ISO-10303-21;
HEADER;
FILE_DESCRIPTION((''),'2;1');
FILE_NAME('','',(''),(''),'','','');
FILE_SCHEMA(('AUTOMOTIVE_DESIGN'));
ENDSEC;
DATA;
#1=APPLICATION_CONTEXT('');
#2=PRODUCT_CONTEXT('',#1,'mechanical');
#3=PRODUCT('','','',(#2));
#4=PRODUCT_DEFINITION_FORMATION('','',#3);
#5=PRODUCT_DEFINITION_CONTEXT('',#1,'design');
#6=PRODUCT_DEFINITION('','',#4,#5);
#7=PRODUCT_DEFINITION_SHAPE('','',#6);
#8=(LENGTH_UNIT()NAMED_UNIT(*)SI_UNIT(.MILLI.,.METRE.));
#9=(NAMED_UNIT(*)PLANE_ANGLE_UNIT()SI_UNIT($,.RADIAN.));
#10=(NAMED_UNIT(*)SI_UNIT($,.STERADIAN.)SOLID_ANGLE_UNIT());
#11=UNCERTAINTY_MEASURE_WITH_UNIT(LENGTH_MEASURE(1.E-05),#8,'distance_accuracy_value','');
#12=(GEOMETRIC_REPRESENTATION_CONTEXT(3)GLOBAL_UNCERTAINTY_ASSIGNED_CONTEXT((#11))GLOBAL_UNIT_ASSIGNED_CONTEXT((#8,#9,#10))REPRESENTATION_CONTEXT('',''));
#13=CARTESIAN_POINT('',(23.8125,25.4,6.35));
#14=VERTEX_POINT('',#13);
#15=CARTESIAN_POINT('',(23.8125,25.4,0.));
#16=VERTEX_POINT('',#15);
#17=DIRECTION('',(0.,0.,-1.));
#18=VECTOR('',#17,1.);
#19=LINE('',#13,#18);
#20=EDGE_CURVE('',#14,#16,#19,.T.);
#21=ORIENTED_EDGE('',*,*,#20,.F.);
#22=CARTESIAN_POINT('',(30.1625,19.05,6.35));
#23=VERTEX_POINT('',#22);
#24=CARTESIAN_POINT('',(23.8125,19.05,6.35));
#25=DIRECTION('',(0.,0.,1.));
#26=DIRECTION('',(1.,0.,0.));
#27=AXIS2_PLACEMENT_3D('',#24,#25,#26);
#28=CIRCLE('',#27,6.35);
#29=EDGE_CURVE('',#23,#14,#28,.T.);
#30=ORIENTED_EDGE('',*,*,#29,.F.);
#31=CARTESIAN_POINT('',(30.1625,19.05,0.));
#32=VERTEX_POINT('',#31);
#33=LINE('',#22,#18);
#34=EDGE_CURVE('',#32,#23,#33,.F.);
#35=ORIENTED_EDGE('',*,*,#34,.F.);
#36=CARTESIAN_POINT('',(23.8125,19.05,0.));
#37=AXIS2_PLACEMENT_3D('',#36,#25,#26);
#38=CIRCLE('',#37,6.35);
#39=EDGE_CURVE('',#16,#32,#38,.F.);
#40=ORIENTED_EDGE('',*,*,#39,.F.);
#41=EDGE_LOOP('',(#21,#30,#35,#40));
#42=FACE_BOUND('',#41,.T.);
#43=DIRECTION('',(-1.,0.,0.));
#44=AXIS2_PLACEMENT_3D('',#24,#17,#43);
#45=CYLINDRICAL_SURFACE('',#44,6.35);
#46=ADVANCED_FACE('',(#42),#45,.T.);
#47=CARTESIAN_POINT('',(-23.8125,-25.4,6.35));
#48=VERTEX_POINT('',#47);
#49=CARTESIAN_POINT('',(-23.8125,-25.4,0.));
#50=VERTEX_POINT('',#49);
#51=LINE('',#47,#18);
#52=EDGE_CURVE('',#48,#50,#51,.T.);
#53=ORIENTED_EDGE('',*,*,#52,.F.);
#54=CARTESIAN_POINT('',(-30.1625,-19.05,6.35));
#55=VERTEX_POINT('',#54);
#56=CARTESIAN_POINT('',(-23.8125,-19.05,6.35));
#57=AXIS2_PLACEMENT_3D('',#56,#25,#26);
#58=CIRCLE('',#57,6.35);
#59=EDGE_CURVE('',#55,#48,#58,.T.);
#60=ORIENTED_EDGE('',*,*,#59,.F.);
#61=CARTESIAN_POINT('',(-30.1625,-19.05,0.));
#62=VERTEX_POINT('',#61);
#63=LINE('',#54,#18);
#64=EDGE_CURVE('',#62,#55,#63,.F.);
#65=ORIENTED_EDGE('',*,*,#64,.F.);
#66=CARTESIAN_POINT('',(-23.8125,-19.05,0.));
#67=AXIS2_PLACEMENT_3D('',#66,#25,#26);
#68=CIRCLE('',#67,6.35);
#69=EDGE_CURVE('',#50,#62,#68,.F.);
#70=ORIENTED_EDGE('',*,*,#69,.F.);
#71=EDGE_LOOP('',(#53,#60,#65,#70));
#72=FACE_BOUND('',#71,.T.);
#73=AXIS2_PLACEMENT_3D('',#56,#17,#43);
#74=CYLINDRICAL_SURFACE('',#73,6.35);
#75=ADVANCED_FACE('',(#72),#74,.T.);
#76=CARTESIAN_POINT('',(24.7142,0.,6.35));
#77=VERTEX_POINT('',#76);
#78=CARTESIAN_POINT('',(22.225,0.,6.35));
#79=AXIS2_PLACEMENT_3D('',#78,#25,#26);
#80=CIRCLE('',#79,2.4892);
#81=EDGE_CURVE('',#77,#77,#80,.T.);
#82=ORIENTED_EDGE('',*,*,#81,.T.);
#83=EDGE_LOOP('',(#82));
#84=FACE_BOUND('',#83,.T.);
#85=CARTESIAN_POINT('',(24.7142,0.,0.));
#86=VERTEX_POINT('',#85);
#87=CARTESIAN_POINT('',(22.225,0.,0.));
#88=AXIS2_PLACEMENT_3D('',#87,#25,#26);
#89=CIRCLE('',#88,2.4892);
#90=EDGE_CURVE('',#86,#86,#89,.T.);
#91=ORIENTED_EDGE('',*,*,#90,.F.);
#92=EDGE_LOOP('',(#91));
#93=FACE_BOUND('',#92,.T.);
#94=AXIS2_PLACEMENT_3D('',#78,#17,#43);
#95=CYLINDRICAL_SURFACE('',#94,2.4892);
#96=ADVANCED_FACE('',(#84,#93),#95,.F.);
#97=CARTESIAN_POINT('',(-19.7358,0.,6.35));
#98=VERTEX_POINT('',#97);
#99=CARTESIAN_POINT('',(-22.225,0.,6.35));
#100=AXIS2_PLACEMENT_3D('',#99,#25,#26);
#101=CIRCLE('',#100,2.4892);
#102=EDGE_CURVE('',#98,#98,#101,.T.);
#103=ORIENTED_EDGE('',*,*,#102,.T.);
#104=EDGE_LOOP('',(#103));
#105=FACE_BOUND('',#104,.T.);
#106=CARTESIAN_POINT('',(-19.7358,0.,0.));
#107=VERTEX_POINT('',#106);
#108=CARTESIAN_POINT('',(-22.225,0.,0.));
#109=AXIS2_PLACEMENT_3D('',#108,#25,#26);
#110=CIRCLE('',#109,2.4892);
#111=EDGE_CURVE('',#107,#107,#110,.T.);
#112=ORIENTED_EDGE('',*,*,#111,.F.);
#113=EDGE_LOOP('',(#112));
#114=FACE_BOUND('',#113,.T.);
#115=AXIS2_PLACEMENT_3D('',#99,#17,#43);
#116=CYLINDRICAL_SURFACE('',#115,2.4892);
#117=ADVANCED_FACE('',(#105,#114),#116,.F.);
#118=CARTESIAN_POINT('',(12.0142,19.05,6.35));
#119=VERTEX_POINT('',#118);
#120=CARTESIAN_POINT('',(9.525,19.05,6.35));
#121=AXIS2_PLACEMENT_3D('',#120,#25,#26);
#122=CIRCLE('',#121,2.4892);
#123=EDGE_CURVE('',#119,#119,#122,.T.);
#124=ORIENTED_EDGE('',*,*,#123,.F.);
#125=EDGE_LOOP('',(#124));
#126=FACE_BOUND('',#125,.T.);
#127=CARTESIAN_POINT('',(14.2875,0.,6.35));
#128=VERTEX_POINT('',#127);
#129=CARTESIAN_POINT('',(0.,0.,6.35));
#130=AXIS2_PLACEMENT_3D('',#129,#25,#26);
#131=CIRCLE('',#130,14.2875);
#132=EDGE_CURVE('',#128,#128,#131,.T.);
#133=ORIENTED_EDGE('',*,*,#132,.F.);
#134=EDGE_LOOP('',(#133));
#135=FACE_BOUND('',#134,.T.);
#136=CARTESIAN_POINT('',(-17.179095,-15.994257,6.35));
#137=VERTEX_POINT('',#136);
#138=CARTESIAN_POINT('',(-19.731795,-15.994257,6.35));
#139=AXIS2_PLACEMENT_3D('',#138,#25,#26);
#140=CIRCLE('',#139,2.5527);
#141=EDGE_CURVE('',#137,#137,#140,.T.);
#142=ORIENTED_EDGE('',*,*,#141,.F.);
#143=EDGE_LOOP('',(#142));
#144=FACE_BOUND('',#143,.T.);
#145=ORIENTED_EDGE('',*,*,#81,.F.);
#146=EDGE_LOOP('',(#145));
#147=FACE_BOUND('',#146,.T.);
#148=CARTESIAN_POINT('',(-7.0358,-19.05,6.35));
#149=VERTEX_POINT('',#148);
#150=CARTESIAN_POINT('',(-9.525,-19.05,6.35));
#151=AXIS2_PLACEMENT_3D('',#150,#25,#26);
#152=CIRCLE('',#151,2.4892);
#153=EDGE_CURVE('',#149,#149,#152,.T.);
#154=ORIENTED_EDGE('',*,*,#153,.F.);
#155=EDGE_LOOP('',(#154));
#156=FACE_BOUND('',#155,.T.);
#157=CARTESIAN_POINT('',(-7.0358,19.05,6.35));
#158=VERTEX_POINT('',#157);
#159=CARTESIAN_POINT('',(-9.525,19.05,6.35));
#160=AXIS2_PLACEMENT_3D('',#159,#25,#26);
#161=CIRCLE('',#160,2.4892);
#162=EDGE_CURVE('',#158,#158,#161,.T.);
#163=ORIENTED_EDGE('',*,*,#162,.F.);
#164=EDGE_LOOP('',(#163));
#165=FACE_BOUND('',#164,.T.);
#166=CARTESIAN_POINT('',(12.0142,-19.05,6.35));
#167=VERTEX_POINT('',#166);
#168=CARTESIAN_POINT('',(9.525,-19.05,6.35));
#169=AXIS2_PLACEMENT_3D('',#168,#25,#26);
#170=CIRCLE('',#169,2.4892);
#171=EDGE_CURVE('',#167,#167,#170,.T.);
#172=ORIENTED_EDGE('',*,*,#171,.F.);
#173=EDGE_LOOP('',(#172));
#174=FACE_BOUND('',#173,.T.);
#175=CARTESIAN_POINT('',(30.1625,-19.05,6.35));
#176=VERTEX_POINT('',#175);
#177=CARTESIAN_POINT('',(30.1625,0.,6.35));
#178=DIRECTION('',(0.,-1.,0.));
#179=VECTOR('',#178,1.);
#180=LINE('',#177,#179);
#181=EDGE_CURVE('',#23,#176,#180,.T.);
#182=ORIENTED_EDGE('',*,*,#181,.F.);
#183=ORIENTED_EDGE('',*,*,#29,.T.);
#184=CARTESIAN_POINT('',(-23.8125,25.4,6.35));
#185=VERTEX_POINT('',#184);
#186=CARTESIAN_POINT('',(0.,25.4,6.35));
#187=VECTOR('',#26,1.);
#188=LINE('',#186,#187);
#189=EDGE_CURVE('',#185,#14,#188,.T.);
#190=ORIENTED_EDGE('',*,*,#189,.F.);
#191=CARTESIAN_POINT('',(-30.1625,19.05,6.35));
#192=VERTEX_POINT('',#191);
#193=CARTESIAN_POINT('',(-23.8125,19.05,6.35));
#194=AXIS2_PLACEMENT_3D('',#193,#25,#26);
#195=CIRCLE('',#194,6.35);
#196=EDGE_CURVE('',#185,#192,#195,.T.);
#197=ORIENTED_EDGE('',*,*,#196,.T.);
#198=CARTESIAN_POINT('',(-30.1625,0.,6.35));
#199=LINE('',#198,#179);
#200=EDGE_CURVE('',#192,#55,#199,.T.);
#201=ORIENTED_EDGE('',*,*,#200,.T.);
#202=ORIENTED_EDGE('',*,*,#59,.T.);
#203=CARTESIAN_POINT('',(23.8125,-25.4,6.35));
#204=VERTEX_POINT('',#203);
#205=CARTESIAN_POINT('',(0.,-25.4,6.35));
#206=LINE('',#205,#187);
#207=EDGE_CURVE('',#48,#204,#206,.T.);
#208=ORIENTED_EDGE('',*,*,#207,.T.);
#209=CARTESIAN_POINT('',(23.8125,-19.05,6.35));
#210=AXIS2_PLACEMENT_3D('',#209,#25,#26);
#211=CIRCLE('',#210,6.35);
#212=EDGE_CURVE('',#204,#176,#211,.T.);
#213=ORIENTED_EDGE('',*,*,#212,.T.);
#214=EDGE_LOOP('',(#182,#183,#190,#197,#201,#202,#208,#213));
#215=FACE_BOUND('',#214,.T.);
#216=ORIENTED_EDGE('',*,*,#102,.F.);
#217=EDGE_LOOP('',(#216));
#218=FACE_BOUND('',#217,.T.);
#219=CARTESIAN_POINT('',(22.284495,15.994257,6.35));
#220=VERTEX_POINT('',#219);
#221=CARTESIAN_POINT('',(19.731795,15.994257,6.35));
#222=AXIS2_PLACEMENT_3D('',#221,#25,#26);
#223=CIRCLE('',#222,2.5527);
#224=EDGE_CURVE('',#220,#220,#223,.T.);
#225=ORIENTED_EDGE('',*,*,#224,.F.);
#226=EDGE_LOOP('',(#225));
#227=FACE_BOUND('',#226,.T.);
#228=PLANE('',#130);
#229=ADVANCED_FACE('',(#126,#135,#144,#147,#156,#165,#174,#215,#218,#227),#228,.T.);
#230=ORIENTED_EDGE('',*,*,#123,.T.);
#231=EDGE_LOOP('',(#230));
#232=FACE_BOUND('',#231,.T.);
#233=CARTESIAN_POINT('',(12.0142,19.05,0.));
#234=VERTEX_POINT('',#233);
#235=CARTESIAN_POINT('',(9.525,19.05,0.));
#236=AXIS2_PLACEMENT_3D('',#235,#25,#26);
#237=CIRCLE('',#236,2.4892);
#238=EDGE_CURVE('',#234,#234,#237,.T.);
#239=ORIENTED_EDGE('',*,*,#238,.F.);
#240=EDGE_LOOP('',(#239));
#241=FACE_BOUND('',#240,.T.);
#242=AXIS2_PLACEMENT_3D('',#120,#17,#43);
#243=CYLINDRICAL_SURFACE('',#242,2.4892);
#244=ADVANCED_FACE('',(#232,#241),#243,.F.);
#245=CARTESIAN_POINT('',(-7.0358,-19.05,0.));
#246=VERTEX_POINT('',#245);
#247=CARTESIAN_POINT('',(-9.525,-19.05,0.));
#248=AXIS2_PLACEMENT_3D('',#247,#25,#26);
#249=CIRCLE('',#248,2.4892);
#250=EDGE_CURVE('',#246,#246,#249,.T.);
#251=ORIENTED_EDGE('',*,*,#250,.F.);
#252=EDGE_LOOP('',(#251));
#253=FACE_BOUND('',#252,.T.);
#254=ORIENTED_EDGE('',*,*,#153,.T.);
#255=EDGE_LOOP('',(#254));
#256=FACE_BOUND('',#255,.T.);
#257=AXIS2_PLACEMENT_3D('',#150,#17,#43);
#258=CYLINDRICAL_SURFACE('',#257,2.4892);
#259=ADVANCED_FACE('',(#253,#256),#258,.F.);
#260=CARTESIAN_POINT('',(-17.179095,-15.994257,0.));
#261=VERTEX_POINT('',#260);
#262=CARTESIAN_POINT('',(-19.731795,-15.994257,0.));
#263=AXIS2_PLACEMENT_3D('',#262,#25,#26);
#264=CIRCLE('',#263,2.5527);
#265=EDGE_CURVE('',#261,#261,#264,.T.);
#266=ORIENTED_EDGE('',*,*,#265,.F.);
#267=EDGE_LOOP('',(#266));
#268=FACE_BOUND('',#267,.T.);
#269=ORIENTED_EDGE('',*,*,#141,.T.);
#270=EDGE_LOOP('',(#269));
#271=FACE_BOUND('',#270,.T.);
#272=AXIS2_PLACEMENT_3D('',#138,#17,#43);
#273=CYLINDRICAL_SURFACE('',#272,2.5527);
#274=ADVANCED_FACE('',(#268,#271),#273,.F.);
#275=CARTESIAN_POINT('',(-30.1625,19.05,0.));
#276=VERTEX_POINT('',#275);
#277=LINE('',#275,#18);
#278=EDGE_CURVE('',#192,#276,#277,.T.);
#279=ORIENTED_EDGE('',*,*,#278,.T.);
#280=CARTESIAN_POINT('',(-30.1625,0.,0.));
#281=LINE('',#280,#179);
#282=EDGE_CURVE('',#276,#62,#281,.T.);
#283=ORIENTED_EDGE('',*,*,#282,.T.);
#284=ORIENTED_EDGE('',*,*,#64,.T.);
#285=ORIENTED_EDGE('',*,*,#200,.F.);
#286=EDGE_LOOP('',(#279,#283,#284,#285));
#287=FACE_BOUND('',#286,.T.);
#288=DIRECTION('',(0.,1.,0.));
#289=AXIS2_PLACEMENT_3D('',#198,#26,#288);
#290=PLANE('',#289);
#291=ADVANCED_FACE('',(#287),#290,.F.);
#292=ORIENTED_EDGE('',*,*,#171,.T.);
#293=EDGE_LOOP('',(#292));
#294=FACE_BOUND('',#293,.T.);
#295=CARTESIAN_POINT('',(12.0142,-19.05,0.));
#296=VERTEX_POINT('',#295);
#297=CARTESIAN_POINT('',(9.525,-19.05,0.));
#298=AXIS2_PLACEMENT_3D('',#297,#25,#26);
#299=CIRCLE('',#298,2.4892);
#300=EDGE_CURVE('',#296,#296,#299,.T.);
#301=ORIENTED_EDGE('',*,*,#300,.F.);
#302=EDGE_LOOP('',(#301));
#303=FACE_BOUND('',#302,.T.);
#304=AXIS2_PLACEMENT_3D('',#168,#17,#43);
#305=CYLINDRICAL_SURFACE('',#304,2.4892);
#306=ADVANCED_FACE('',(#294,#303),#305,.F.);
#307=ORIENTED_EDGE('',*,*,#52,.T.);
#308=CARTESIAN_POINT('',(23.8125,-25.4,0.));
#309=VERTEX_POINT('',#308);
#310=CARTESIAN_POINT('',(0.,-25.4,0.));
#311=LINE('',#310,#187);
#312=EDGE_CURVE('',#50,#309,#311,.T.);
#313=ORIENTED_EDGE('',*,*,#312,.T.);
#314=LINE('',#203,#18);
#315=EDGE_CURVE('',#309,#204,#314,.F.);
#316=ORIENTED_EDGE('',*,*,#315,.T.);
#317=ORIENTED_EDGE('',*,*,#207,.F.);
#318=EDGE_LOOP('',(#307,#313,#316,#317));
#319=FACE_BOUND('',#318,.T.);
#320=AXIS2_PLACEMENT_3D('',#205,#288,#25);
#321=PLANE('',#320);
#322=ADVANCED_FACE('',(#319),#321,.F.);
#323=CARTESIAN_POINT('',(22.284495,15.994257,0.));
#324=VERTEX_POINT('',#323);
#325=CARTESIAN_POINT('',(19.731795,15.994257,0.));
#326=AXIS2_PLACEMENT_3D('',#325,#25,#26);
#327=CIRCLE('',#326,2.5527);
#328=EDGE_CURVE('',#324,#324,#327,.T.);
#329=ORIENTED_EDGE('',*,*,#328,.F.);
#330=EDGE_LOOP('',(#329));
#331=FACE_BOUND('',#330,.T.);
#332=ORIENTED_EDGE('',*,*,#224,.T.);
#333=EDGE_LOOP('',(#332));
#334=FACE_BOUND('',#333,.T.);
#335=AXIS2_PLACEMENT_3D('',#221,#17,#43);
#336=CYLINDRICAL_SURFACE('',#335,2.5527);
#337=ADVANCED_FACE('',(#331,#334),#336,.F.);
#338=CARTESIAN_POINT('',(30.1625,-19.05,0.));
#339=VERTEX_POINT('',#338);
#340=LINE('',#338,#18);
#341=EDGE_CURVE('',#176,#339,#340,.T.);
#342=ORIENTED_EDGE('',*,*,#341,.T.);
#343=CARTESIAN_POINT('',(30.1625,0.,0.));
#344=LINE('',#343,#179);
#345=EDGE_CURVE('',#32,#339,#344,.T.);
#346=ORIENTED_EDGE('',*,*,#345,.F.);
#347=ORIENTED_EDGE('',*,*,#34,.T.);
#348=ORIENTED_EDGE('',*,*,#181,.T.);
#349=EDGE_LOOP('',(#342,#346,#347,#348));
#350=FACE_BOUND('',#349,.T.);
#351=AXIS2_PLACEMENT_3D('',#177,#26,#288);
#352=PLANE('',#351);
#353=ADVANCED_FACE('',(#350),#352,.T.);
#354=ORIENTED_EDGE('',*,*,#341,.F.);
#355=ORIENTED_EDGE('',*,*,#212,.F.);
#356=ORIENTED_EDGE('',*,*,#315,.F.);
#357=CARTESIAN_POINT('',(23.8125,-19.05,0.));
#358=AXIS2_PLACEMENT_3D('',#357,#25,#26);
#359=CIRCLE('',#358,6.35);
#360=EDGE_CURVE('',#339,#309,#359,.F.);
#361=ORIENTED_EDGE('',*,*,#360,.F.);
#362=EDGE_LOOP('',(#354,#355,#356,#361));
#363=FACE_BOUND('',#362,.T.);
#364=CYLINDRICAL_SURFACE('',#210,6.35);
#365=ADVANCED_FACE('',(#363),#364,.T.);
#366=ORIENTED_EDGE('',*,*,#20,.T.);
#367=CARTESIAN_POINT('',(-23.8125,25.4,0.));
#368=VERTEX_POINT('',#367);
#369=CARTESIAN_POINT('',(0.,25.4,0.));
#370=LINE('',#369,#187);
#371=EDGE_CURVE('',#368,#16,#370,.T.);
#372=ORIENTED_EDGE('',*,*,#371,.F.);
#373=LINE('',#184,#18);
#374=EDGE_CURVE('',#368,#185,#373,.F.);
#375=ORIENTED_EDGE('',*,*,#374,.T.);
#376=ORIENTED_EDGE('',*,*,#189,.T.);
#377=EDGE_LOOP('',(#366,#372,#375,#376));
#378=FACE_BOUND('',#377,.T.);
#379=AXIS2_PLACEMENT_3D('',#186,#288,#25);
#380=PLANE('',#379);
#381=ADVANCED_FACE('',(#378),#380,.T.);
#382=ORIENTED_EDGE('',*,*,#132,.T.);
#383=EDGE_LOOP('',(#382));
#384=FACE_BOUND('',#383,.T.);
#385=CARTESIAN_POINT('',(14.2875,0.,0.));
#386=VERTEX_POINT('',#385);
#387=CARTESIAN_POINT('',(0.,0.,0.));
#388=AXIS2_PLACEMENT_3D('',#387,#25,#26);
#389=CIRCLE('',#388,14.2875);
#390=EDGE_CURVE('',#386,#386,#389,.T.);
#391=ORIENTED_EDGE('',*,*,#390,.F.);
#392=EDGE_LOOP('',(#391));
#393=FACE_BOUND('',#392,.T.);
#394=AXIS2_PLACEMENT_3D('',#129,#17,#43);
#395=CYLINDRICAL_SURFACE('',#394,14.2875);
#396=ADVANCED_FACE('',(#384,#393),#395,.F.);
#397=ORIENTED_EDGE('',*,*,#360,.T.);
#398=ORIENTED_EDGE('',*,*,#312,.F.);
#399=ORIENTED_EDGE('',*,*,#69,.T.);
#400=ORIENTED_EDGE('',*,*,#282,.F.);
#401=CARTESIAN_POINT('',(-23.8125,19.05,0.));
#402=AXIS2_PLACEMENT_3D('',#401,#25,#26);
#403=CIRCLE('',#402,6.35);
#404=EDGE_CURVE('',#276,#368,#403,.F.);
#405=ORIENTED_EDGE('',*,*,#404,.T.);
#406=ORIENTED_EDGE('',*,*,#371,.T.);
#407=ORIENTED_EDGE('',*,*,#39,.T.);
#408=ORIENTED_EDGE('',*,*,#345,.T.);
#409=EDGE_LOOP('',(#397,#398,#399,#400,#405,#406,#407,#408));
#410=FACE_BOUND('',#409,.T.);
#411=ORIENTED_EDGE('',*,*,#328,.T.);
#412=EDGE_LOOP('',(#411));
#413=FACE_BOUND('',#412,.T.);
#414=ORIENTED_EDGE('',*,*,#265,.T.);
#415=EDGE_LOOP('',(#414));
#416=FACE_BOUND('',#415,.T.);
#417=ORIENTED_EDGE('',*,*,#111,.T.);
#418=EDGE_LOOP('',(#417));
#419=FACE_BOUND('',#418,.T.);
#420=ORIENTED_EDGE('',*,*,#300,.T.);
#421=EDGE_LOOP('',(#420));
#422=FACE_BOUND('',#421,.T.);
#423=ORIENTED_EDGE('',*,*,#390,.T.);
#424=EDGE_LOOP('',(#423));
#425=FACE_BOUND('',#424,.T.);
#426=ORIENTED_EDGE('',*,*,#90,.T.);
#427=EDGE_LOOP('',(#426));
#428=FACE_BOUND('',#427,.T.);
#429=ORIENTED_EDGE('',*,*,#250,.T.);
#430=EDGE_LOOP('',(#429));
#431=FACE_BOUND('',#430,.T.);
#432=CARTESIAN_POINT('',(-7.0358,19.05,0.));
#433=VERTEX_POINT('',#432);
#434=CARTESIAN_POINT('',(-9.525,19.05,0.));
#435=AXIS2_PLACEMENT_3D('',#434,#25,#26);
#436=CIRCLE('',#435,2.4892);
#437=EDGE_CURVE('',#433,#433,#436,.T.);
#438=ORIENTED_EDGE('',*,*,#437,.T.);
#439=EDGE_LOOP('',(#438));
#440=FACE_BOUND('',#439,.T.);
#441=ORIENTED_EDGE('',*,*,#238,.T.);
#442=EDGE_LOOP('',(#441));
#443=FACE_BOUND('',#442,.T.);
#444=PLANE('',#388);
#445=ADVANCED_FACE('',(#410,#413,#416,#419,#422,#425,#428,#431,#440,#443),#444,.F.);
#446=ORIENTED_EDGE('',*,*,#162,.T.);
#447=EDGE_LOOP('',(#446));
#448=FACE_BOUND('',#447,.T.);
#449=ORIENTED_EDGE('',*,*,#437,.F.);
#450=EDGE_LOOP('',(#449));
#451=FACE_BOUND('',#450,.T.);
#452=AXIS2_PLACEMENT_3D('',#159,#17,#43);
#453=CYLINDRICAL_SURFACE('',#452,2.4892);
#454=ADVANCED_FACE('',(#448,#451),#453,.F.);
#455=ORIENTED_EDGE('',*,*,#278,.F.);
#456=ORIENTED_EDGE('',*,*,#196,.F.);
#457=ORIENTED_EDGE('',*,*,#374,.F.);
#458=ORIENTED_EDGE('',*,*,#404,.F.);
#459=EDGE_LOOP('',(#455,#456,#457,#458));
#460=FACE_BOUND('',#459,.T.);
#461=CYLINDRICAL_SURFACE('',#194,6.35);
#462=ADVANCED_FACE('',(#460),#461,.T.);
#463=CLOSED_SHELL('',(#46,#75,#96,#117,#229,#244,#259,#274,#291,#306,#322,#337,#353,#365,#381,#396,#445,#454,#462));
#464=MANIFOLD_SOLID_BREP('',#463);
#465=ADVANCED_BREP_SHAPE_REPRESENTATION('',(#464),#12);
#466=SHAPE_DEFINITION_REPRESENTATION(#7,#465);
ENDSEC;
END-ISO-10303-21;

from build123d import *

# Parameters (mm, degrees)
SKETCH1_W           = 60.325
SKETCH1_H           = 50.8
SKETCH1_R           = 2.4892
SKETCH1_R_2         = 2.5527
SKETCH1_R_3         = 14.2875
BOSS_EXTRUDE1_DEPTH = 6.35
FILLET1_R           = 6.35


with BuildPart() as part:
    # Sketch1 → Boss-Extrude1 (new body)
    with BuildSketch(Plane.XY):
        Rectangle(SKETCH1_W, SKETCH1_H)
        with Locations((-9.525, -19.05)):
            Circle(SKETCH1_R, mode=Mode.SUBTRACT)
        with Locations((9.525, -19.05)):
            Circle(SKETCH1_R, mode=Mode.SUBTRACT)
        with Locations((9.525, 19.05)):
            Circle(SKETCH1_R, mode=Mode.SUBTRACT)
        with Locations((-9.525, 19.05)):
            Circle(SKETCH1_R, mode=Mode.SUBTRACT)
        with Locations((22.225, 0)):
            Circle(SKETCH1_R, mode=Mode.SUBTRACT)
        with Locations((-22.225, 0)):
            Circle(SKETCH1_R, mode=Mode.SUBTRACT)
        with Locations((-19.731795339, -15.994256867)):
            Circle(SKETCH1_R_2, mode=Mode.SUBTRACT)
        with Locations((19.731795339, 15.994256867)):
            Circle(SKETCH1_R_2, mode=Mode.SUBTRACT)
        Circle(SKETCH1_R_3, mode=Mode.SUBTRACT)
    extrude(amount=BOSS_EXTRUDE1_DEPTH)

    # Fillet1
    fillet1_edges = [part.edges().sort_by_distance(p)[0] for p in [
        (30.1625, -25.4, 3.175),
        (-30.1625, -25.4, 3.175),
        (-30.1625, 25.4, 3.175),
        (30.1625, 25.4, 3.175),
    ]]
    fillet(fillet1_edges, radius=FILLET1_R)


solid = part.part
